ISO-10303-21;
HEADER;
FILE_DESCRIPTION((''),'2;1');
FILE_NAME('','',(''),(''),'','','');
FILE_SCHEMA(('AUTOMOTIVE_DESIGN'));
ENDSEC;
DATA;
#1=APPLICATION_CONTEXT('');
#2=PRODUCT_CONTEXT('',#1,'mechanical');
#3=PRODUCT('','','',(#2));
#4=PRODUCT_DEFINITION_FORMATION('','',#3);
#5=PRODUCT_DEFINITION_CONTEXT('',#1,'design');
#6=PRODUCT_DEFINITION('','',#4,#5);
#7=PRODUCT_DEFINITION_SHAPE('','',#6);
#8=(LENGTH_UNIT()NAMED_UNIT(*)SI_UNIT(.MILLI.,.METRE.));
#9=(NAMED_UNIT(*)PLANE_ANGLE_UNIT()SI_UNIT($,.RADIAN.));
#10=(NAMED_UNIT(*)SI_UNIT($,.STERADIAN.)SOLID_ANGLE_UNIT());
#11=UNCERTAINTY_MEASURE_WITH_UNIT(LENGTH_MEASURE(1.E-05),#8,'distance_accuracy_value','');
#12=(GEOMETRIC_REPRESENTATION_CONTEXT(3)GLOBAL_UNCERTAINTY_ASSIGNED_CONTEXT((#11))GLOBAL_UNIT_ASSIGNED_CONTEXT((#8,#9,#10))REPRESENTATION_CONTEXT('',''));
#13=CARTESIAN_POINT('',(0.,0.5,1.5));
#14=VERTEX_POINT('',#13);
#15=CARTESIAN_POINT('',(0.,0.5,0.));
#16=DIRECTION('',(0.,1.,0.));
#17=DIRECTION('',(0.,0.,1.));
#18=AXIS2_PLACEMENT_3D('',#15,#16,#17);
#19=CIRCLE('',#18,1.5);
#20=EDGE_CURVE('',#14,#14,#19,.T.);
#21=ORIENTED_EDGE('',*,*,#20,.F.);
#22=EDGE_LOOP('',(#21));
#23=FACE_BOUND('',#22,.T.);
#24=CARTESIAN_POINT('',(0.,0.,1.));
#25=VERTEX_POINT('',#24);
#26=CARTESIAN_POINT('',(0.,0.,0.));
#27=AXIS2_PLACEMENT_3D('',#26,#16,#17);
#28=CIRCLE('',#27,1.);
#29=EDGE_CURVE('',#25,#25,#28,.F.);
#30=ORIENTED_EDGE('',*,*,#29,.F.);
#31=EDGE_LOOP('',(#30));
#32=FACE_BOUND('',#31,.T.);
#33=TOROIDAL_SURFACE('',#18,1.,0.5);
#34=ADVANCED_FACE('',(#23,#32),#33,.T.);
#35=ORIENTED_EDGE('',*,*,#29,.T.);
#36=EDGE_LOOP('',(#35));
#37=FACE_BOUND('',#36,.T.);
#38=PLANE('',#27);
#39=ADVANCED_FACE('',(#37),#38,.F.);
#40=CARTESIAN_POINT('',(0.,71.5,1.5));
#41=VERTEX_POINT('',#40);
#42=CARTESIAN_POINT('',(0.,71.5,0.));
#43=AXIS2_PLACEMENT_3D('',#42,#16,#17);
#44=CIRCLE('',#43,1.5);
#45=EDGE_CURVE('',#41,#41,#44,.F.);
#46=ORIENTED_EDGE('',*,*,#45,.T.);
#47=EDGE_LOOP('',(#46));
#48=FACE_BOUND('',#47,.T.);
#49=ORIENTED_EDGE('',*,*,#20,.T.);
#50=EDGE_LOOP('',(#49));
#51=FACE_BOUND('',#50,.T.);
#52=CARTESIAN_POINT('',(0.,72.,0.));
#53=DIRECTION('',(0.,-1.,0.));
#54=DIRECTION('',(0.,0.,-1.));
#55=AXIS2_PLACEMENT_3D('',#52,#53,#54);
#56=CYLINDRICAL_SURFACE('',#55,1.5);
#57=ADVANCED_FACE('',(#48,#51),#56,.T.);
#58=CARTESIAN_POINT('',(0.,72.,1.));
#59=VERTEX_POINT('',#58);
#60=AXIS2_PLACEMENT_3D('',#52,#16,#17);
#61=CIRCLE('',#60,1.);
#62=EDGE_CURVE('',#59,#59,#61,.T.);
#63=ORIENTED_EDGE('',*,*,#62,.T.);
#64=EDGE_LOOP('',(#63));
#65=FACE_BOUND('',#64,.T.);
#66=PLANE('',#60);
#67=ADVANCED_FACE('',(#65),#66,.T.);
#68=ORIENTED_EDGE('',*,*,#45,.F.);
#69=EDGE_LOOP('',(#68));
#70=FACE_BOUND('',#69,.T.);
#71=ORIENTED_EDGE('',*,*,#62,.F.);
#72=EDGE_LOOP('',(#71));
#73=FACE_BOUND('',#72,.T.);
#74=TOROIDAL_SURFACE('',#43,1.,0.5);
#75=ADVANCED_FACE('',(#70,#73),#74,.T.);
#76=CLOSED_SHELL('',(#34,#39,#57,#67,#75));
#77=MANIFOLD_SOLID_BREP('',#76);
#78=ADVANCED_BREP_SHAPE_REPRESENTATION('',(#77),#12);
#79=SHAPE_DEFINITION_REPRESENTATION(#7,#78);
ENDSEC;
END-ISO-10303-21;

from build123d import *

# Parameters (mm, degrees)
IZIM1_R                     = 1.5
Y_KSEKLIK_EKSTR_ZYON1_DEPTH = 72
RADYUS1_R                   = 0.5
RADYUS2_R                   = 0.5


with BuildPart() as part:
    # Çizim1 → Yükseklik-Ekstrüzyon1 (new body)
    with BuildSketch(Plane(origin=(0, 0, 0), x_dir=(1, 0, 0), z_dir=(0, 1, 0))):
        with Locations(Location((0, 0, 0), (0, 0, 270))):
            Circle(IZIM1_R)
    extrude(amount=Y_KSEKLIK_EKSTR_ZYON1_DEPTH)

    # Radyus1
    radyus1_edges = [part.edges().sort_by_distance(p)[0] for p in [
        (0, 72, -1.5),
    ]]
    fillet(radyus1_edges, radius=RADYUS1_R)

    # Radyus2
    radyus2_edges = [part.edges().sort_by_distance(p)[0] for p in [
        (0, 0, -1.5),
    ]]
    fillet(radyus2_edges, radius=RADYUS2_R)


solid = part.part
